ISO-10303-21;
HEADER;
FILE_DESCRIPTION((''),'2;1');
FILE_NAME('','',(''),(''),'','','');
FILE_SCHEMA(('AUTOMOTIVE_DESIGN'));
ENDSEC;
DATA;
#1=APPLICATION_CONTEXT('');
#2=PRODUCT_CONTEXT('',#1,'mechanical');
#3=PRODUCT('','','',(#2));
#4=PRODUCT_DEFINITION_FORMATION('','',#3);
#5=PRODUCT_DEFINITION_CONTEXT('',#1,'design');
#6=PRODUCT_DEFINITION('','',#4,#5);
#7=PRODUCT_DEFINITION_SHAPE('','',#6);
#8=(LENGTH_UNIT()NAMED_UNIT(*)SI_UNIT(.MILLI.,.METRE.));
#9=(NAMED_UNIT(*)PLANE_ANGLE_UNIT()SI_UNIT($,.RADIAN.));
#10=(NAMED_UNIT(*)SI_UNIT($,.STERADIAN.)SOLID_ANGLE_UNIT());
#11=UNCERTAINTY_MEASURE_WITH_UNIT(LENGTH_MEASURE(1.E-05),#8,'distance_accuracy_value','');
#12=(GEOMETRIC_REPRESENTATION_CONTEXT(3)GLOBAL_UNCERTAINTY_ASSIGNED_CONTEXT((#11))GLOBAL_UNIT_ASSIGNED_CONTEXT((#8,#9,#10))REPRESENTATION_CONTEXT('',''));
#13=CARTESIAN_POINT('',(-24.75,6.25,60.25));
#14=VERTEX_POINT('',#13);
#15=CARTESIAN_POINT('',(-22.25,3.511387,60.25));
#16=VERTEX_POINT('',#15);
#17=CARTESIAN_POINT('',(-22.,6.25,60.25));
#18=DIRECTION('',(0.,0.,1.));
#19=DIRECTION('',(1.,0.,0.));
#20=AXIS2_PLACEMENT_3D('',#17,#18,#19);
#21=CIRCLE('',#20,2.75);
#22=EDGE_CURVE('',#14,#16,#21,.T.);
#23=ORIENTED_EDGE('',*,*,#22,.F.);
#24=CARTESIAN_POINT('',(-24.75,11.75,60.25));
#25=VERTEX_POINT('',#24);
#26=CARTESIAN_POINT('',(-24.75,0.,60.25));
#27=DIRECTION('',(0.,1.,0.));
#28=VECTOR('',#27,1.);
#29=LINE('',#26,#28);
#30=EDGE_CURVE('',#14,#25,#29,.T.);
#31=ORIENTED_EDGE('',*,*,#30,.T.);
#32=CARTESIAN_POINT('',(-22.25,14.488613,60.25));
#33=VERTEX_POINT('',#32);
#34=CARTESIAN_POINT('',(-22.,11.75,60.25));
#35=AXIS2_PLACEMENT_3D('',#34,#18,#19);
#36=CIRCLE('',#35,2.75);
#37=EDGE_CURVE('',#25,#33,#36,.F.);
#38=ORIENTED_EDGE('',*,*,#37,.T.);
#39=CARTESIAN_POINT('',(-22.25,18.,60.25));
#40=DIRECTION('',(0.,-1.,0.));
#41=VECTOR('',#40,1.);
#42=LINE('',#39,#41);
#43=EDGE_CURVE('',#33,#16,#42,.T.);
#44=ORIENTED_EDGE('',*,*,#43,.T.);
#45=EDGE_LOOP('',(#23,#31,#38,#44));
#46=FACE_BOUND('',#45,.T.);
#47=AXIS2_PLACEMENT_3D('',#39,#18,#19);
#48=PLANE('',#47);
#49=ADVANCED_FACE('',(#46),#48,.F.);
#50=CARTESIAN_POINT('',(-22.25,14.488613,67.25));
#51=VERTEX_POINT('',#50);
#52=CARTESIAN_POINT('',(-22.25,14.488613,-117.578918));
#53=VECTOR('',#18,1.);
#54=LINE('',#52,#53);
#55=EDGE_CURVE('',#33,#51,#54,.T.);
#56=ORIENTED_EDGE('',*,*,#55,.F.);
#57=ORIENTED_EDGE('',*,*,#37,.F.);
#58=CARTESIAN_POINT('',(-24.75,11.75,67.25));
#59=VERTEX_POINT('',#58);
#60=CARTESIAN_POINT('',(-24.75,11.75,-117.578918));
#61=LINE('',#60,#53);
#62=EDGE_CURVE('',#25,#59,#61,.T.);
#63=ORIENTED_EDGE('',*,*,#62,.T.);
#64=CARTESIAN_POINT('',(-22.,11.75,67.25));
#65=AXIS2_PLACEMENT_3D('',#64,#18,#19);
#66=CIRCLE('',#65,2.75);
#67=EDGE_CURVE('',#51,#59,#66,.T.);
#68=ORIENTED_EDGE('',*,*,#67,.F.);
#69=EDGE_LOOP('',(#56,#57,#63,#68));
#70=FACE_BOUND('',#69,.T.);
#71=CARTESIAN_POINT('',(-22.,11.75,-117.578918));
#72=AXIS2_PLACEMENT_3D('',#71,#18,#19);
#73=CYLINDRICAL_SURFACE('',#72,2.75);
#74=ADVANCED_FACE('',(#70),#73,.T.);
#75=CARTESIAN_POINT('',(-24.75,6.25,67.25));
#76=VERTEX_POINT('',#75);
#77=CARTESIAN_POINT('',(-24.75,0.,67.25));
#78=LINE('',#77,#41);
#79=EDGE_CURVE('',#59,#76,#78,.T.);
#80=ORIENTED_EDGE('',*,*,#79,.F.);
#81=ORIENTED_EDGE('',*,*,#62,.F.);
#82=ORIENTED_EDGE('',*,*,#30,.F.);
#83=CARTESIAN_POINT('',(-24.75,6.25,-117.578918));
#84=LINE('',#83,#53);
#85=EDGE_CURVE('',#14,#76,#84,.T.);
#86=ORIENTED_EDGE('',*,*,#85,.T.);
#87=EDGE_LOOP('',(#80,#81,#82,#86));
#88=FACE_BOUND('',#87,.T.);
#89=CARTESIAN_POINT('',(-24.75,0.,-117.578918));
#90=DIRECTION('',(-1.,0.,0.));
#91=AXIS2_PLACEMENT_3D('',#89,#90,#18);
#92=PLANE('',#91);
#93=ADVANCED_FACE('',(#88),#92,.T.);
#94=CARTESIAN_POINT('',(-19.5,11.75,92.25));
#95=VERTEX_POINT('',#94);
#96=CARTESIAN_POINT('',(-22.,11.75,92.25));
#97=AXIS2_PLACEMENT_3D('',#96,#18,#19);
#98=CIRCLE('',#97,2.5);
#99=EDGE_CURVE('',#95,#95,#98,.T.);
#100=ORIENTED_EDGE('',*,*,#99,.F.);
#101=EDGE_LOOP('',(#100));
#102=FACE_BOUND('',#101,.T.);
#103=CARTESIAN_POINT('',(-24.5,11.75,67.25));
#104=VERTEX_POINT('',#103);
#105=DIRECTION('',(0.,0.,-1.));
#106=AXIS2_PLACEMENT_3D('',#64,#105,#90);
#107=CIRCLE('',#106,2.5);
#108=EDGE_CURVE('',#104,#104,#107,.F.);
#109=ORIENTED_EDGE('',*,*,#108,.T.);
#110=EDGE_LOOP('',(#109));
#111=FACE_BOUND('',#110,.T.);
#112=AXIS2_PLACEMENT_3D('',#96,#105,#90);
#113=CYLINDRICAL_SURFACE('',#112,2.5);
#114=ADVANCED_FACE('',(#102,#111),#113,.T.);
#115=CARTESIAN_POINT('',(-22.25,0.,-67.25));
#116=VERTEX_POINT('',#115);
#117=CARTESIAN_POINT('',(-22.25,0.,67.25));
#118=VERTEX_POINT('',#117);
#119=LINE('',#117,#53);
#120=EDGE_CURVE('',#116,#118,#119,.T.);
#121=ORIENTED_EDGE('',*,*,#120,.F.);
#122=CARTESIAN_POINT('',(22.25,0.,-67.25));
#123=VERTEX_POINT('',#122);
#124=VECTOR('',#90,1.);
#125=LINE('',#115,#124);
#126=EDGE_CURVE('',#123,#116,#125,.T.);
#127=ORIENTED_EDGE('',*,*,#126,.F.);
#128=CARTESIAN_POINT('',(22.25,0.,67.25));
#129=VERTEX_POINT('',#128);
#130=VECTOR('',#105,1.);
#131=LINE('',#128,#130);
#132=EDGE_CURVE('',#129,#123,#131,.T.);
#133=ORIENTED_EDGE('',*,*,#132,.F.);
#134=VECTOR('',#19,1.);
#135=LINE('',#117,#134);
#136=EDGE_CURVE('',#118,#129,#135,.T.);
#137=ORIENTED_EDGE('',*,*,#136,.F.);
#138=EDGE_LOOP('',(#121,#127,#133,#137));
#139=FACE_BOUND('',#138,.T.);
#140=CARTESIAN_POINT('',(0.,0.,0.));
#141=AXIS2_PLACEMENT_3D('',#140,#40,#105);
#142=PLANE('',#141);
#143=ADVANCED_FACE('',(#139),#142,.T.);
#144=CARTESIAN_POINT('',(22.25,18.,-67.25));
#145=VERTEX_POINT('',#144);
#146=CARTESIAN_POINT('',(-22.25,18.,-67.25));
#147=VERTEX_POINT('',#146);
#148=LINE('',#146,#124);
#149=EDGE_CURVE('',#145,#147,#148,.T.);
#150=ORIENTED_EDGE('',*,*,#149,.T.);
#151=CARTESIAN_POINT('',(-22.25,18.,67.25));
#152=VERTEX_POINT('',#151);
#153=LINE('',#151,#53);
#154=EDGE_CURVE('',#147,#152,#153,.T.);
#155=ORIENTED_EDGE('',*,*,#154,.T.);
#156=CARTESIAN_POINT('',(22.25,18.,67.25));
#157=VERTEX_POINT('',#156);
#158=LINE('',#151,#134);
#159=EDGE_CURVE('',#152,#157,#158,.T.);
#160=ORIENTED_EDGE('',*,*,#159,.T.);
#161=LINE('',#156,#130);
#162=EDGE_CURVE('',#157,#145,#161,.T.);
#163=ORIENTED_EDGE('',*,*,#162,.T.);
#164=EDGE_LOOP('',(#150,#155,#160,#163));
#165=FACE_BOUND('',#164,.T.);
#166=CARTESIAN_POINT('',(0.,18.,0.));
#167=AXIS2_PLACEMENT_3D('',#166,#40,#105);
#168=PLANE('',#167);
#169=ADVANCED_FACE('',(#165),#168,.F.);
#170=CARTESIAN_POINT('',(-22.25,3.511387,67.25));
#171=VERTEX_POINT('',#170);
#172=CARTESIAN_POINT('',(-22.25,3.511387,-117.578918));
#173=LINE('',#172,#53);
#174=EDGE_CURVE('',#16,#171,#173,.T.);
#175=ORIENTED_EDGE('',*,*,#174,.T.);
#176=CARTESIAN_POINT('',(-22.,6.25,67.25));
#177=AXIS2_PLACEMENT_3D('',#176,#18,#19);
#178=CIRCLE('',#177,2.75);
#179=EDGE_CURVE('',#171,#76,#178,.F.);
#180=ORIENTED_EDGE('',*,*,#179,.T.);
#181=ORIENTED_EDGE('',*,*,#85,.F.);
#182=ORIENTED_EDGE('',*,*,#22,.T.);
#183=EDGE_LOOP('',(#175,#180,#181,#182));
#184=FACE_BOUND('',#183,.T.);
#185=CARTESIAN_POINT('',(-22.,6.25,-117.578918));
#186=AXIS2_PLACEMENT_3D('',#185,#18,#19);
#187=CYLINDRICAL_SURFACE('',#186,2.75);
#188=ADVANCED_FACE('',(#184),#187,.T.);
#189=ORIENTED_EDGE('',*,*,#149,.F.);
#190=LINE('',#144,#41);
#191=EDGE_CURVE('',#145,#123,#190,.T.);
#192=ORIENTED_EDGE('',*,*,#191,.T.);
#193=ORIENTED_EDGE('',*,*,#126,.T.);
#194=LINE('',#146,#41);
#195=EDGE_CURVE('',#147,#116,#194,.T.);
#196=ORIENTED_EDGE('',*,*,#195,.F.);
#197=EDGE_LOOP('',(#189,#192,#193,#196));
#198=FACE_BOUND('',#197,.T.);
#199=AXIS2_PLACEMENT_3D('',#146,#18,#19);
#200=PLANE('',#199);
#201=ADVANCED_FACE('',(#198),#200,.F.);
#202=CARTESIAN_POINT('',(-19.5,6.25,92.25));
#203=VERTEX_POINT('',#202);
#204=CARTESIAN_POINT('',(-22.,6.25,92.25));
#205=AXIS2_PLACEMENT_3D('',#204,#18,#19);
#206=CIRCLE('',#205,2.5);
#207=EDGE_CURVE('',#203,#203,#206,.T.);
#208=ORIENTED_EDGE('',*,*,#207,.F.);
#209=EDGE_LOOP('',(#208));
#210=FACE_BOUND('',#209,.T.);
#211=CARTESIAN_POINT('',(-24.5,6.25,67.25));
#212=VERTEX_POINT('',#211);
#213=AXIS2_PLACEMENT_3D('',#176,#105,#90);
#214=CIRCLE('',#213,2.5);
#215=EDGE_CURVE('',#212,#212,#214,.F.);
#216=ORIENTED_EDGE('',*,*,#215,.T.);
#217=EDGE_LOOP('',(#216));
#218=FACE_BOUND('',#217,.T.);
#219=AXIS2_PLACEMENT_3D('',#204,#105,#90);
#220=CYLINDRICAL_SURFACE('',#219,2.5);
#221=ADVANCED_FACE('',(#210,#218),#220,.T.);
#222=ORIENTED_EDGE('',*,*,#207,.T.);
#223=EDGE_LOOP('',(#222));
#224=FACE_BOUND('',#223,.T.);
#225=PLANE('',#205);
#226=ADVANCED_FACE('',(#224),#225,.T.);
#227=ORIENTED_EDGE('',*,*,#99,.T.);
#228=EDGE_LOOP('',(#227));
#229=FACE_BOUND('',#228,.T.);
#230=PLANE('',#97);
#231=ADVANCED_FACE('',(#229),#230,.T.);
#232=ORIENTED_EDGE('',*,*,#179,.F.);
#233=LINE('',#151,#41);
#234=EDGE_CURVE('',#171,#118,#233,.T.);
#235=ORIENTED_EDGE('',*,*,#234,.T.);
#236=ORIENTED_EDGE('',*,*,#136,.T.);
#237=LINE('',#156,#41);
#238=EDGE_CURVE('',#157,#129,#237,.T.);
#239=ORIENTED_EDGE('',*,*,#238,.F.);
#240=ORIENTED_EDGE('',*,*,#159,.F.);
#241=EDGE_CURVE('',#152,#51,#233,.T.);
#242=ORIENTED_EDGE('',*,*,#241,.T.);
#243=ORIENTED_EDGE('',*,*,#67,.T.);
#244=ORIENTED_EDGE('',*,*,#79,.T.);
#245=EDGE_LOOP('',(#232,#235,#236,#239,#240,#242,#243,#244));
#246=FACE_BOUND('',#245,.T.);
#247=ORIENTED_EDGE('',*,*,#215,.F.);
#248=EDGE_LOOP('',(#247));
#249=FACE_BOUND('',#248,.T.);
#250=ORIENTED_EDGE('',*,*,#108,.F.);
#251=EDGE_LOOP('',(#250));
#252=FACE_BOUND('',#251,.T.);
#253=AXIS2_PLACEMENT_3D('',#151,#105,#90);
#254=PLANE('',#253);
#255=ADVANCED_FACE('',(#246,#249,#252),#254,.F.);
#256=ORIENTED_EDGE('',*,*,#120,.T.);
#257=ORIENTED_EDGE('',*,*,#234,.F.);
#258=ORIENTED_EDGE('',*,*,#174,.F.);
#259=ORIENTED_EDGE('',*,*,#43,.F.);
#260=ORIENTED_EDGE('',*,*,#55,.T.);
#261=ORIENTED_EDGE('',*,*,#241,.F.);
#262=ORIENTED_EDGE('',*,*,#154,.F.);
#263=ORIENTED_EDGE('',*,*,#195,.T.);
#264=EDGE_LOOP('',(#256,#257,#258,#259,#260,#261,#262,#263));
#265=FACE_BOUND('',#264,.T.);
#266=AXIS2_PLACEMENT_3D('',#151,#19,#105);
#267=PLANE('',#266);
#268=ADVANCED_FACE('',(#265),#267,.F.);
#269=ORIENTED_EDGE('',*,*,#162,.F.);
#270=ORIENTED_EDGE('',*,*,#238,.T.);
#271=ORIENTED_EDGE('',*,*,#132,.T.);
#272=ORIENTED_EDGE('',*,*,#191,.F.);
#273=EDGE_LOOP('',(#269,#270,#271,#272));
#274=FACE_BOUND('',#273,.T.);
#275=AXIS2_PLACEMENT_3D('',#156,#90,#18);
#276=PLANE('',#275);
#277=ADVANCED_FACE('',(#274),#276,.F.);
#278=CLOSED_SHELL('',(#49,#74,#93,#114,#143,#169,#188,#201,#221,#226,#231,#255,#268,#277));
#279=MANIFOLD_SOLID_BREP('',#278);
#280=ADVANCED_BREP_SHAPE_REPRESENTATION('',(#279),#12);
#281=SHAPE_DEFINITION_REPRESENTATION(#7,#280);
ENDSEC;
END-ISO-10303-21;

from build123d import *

# Parameters (mm, degrees)
SKETCH1_W           = 44.5
SKETCH1_H           = 134.5
BOSS_EXTRUDE1_DEPTH = 18
BOSS_EXTRUDE2_DEPTH = 7
SKETCH5_R           = 2.5
BOSS_EXTRUDE4_DEPTH = 25


with BuildPart() as part:
    # Sketch1 → Boss-Extrude1 (new body)
    with BuildSketch(Plane(origin=(0, 0, 0), x_dir=(1, 0, 0), z_dir=(0, 1, 0))):
        Rectangle(SKETCH1_W, SKETCH1_H)
    extrude(amount=BOSS_EXTRUDE1_DEPTH)

    # Sketch3 → Boss-Extrude2 (add)
    with BuildSketch(Plane.XY.offset(67.25)):
        with BuildLine():
            Line((-22.25, 14.488612788), (-22.25, 3.511387212))
            ThreePointArc((-22.25, 3.511387212), (-24.031009601, 4.395950378), (-24.75, 6.25))
            Line((-24.75, 6.25), (-24.75, 11.75))
            ThreePointArc((-24.75, 11.75), (-24.031009601, 13.604049622), (-22.25, 14.488612788))
        make_face()
    extrude(amount=-BOSS_EXTRUDE2_DEPTH)

    # Sketch5 → Boss-Extrude4 (add)
    with BuildSketch(Plane.XY.offset(67.25)):
        with Locations(Location((-22, 11.75, 0), (0, 0, 180))):
            Circle(SKETCH5_R)
        with Locations(Location((-22, 6.25, 0), (0, 0, 180))):
            Circle(SKETCH5_R)
    extrude(amount=BOSS_EXTRUDE4_DEPTH)


solid = part.part
